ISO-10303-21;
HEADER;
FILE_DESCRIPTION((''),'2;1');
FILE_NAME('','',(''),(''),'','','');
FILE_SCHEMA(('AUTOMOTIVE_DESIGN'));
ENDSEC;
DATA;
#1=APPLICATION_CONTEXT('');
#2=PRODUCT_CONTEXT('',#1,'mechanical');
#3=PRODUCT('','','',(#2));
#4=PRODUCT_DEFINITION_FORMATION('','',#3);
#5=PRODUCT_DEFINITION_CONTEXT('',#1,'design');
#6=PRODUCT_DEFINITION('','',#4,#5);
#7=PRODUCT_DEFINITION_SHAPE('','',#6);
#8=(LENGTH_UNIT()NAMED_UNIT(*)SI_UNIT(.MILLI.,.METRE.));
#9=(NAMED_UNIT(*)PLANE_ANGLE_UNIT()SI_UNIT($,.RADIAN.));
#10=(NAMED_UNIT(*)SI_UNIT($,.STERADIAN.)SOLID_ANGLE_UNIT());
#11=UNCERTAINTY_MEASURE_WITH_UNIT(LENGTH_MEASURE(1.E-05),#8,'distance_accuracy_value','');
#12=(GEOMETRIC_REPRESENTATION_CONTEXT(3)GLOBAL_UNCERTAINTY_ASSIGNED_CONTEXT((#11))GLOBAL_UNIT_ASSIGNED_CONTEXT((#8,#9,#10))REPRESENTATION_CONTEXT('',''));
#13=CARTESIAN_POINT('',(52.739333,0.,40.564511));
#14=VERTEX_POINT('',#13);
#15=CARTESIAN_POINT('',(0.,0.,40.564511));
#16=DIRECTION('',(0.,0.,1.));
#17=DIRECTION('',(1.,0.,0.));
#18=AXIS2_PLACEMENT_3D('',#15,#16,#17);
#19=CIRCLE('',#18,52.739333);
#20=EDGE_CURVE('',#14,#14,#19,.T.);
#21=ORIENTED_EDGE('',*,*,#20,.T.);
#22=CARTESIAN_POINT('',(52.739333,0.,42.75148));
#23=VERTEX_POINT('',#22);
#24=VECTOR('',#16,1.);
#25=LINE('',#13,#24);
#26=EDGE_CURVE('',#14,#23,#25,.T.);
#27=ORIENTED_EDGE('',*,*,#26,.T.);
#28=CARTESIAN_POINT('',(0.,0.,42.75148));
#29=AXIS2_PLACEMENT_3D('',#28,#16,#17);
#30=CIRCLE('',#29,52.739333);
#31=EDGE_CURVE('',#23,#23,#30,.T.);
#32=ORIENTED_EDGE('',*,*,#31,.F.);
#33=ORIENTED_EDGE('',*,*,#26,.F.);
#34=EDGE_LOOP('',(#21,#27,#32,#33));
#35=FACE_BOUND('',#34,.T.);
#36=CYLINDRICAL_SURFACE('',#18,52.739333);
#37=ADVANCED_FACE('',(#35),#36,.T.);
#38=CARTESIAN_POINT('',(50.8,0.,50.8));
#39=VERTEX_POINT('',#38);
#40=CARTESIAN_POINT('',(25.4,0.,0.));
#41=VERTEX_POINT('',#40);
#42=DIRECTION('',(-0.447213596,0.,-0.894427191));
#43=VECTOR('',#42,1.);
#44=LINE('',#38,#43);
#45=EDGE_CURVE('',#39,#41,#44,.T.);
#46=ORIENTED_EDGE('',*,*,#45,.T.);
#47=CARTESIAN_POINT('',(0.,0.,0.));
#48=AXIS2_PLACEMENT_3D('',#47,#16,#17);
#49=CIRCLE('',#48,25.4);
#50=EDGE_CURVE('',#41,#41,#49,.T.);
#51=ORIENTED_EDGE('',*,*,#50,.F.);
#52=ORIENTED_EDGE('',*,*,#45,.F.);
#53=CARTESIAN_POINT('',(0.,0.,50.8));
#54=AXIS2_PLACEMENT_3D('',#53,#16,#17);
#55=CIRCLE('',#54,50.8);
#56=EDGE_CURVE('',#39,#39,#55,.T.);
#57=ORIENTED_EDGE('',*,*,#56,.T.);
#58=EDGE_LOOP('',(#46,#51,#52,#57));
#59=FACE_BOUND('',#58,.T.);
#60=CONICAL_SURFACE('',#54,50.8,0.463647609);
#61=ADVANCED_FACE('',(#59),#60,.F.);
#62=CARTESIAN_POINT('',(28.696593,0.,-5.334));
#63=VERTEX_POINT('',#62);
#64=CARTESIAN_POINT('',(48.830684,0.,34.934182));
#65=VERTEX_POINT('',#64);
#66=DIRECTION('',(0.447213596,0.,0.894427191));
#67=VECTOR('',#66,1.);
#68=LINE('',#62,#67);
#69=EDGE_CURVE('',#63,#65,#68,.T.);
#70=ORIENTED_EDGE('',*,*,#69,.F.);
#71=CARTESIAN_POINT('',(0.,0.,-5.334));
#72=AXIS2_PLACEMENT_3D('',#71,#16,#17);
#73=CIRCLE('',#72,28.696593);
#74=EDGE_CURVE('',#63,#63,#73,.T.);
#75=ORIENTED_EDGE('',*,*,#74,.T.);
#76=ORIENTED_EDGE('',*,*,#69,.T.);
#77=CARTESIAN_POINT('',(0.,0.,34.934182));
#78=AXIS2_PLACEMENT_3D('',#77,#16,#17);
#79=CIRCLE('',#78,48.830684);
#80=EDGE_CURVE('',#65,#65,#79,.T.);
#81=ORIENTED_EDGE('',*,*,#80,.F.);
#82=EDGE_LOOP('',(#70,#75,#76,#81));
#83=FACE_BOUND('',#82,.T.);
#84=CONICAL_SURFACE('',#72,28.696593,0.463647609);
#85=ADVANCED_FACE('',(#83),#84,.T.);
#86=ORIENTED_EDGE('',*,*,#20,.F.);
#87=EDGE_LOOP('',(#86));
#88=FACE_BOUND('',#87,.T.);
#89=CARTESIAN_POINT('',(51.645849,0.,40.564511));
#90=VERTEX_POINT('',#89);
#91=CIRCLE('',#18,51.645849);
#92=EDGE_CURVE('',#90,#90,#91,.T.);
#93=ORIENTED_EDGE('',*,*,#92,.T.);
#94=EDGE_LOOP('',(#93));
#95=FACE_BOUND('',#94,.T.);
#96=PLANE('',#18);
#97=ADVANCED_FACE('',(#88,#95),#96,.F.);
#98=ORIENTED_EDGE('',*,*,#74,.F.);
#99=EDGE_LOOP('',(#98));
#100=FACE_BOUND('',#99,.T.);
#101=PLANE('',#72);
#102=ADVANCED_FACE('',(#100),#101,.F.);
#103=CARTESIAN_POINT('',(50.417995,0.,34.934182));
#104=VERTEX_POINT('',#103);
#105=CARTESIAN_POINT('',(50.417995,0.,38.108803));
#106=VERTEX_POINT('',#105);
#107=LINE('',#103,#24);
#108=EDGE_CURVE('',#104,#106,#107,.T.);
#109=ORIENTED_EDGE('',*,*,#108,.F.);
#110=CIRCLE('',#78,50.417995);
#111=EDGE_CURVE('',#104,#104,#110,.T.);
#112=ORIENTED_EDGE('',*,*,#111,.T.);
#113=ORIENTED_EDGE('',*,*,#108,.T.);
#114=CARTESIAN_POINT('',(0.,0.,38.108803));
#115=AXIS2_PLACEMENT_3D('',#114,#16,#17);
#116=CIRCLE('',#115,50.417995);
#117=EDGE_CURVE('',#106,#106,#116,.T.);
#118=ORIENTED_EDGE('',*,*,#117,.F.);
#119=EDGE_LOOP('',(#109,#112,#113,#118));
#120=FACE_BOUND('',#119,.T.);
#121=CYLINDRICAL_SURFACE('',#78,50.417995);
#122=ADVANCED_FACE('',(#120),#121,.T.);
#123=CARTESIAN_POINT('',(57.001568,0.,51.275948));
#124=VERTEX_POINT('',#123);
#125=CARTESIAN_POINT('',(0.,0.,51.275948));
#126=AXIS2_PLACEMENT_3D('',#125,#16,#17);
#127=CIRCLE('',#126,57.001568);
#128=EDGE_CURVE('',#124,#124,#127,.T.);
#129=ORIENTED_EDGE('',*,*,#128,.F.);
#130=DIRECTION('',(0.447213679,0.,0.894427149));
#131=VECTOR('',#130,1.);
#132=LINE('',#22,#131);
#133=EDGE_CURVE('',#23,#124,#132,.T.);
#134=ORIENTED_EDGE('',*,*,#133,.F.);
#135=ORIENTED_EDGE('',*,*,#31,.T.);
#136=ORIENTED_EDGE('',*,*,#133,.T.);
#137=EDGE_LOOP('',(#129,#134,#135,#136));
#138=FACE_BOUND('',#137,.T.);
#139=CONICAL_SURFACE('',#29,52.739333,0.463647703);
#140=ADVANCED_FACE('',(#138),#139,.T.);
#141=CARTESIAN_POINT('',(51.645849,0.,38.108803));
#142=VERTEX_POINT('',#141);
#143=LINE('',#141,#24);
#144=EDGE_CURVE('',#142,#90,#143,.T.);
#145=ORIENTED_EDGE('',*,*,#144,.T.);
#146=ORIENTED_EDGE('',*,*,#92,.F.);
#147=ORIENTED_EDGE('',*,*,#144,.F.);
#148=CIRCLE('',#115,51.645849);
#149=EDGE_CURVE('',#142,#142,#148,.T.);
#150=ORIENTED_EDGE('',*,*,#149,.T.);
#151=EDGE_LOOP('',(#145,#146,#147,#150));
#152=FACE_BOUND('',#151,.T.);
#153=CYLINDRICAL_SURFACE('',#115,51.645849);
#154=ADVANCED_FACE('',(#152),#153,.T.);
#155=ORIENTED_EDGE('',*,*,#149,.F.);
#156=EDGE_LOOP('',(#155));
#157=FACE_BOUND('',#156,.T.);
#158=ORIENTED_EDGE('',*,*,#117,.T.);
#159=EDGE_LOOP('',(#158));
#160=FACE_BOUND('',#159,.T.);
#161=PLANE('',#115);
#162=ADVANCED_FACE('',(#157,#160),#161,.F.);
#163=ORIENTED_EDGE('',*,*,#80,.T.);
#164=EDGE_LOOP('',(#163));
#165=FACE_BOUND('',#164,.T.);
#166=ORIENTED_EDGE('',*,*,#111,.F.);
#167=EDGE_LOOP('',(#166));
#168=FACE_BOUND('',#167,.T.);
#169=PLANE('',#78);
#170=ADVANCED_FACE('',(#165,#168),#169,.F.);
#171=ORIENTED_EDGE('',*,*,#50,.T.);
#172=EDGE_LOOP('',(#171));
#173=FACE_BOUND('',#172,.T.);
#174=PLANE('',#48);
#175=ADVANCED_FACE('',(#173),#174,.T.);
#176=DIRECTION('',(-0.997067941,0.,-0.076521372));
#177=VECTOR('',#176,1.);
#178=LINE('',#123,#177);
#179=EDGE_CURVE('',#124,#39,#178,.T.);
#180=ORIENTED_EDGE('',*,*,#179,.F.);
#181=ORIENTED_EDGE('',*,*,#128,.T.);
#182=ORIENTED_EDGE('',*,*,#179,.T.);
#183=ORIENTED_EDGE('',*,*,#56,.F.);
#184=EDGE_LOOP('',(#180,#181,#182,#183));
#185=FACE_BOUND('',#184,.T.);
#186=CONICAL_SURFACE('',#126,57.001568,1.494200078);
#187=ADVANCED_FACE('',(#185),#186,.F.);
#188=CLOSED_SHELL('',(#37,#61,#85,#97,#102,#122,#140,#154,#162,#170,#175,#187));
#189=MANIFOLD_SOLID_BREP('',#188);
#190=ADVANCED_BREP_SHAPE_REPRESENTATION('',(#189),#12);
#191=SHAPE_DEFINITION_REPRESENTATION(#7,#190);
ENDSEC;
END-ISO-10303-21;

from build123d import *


with BuildPart() as f1:
    # F0 (on Front) → F1 (revolve)
    with BuildSketch(Plane.XZ):
        Polygon((25.4, 0), (0, 0), (0, -5.334), (28.696593, -5.334), (48.830684, 34.934182), (50.417995, 38.108803), (51.645849, 40.564511), (52.739333, 42.75148), (57.001568, 51.275948), (50.8, 50.8), align=None)
        Polygon((50.417995, 38.108803), (48.830684, 34.934182), (50.417995, 34.934182), align=None)
        Polygon((52.739333, 40.564511), (52.739333, 42.75148), (51.645849, 40.564511), align=None)
        Polygon((51.645849, 40.564511), (50.417995, 38.108803), (51.645849, 38.108803), align=None)
    revolve(axis=Axis((0, 0, 25.4), (0, 0, 1)))


solid = f1.part
